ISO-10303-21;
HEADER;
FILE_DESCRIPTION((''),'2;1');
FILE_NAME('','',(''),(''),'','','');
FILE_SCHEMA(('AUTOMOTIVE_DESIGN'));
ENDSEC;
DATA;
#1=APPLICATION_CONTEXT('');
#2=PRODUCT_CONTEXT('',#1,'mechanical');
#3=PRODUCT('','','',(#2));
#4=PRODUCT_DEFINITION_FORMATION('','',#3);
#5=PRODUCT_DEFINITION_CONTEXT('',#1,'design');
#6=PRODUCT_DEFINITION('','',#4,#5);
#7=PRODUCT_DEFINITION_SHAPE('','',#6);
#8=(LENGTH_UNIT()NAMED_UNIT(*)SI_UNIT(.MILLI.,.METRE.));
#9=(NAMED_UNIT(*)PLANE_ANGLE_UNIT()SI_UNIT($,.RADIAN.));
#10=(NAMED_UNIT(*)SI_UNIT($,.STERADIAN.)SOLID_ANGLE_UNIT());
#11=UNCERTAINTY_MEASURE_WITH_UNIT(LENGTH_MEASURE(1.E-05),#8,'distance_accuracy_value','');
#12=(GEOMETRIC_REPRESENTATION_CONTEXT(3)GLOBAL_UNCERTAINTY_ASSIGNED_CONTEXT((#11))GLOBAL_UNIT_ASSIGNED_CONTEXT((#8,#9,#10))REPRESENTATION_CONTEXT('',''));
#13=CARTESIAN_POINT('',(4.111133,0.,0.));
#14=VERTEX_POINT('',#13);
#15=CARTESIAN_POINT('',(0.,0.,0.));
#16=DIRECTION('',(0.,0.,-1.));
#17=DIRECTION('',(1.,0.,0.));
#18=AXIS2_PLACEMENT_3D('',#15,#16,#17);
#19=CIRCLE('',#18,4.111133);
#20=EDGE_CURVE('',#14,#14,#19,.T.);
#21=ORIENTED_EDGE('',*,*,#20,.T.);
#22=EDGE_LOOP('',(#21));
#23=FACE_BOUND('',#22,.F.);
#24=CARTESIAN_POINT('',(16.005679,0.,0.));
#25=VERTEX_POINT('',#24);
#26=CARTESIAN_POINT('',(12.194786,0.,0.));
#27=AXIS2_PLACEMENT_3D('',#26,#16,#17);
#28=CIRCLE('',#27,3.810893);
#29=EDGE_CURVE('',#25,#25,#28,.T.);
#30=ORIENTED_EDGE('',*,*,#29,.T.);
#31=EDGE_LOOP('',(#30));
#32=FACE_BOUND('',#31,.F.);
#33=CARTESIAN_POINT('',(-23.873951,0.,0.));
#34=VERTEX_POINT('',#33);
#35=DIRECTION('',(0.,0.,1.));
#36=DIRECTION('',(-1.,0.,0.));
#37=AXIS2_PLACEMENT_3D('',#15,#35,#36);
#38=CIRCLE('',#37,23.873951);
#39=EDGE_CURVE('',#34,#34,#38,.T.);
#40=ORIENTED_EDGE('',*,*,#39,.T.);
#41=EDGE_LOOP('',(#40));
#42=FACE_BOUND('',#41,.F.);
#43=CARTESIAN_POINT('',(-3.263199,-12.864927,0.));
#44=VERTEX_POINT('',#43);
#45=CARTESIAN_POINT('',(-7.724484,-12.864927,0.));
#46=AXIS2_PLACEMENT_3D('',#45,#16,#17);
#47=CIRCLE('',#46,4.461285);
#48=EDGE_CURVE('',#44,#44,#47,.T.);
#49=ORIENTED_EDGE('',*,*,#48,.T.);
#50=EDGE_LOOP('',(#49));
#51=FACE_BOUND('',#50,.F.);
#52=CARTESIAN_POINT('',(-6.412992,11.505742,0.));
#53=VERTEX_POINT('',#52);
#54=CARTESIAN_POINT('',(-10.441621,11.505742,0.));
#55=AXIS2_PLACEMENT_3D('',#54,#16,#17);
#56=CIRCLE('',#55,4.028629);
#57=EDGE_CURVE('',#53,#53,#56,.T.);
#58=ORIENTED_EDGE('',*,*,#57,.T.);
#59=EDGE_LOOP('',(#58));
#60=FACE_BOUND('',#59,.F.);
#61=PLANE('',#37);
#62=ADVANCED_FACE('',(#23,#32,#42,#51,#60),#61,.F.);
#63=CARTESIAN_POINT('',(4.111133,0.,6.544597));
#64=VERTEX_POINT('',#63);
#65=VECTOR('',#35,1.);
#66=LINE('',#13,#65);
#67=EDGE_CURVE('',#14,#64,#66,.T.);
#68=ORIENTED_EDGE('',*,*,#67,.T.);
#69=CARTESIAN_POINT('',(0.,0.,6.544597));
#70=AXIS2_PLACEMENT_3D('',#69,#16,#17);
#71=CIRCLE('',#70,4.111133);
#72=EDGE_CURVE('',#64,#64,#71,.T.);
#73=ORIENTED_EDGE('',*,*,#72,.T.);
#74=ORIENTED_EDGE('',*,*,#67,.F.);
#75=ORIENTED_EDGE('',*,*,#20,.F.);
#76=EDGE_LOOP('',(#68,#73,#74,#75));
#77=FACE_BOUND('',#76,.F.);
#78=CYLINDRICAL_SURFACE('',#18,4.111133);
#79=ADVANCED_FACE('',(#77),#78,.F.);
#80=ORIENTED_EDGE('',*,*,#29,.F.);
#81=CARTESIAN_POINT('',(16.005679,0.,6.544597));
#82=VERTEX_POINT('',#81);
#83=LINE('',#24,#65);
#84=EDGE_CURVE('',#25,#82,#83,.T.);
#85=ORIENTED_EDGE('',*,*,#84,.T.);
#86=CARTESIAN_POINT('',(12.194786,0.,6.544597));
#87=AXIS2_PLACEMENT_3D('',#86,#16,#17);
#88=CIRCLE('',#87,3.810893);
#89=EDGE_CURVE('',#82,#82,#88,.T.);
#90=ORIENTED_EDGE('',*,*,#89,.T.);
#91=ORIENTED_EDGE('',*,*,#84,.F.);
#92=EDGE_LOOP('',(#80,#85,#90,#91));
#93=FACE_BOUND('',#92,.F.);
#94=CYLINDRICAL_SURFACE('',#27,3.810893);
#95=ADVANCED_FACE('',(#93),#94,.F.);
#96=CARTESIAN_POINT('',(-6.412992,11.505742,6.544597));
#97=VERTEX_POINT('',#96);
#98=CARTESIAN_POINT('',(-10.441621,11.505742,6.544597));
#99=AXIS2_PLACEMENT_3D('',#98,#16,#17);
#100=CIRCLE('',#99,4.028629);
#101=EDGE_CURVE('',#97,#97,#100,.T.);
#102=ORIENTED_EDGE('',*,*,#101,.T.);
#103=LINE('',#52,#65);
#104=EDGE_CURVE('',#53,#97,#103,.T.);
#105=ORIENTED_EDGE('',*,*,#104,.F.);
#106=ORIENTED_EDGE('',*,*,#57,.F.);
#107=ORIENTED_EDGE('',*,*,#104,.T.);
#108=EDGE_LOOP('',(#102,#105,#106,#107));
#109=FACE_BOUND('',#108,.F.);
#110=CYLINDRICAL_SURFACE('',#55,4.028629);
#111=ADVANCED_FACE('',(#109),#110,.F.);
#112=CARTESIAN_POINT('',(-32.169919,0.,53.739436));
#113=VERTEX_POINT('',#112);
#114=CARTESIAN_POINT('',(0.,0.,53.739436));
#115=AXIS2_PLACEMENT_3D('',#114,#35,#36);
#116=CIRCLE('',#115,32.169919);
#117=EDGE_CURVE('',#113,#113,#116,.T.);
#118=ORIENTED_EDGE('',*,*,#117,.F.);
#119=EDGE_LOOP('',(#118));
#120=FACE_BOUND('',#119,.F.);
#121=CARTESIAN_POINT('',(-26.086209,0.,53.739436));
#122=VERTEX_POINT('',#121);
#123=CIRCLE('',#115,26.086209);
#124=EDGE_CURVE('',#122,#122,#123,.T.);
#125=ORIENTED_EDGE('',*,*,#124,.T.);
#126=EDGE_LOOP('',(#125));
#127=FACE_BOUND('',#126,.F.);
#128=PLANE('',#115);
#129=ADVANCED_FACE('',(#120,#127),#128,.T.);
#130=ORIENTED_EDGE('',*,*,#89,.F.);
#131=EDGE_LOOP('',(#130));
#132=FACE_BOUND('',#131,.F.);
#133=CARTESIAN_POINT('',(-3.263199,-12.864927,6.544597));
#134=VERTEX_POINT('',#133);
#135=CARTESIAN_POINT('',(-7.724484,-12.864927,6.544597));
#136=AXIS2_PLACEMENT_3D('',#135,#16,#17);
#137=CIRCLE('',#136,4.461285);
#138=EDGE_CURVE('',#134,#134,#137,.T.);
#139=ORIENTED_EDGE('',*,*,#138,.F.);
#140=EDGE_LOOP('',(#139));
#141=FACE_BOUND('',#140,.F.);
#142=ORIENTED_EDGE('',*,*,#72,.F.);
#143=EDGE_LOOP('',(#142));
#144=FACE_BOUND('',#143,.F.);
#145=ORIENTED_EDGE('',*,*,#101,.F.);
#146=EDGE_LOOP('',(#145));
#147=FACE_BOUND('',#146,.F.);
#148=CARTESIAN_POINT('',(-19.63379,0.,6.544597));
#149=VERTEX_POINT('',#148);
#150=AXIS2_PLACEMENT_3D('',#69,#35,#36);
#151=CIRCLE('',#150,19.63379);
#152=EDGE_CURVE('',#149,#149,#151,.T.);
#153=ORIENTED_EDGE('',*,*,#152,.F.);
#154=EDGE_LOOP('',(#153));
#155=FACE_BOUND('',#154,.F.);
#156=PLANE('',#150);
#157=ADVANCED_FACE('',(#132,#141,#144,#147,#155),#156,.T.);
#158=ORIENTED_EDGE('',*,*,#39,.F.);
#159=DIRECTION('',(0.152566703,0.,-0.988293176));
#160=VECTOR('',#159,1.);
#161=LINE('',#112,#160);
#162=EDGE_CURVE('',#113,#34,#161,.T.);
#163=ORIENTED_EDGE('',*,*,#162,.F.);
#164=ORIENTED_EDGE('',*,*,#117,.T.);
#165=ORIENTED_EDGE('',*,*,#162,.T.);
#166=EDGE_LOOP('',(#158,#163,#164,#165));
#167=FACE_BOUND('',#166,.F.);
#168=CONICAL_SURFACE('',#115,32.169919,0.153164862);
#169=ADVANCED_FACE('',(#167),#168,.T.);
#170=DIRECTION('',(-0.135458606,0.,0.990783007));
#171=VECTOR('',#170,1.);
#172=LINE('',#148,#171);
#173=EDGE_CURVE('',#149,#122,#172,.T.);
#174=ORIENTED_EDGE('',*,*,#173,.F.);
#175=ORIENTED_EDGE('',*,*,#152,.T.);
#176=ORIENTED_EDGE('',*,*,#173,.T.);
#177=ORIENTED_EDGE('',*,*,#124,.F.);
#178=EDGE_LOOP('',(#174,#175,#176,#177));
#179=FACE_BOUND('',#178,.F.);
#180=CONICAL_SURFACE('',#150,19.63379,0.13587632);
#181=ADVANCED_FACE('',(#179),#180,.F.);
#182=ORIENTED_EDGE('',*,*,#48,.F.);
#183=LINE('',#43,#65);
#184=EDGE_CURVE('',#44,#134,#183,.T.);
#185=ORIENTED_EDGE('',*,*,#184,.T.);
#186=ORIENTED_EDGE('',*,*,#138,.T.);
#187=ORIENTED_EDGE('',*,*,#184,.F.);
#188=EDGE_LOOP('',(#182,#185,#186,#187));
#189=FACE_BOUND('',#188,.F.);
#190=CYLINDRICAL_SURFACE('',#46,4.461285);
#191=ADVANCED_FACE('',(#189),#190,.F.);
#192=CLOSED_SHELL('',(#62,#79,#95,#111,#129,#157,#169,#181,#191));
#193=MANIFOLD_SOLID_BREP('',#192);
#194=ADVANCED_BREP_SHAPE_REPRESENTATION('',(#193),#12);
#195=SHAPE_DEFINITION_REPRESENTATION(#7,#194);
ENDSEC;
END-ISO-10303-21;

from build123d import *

# Parameters (mm, degrees)
F2_R     = 4.111133
F2_R_2   = 4.461285
F2_R_3   = 3.810893
F2_R_4   = 4.028629
F3_DEPTH = 25.4


with BuildPart() as f1:
    # F0 (on Front) → F1 (revolve)
    with BuildSketch(Plane.XZ):
        Polygon((0, 0), (0, 6.544597), (-19.63379, 6.544597), (-26.086209, 53.739436), (-32.169919, 53.739436), (-23.873951, 0), align=None)
    revolve(axis=Axis((0, 0, 3.272298), (0, 0, 1)))

    # F2 (on face) → F3 (cut)
    with BuildSketch(Plane(origin=(0, 0, 0), x_dir=(1, 0, 0), z_dir=(0, 0, -1))):
        Circle(F2_R)
        with Locations((-7.724484, 12.864927)):
            Circle(F2_R_2)
        with Locations((12.194786, 0)):
            Circle(F2_R_3)
        with Locations((-10.441621, -11.505742)):
            Circle(F2_R_4)
    extrude(amount=-F3_DEPTH, mode=Mode.SUBTRACT)


solid = f1.part
